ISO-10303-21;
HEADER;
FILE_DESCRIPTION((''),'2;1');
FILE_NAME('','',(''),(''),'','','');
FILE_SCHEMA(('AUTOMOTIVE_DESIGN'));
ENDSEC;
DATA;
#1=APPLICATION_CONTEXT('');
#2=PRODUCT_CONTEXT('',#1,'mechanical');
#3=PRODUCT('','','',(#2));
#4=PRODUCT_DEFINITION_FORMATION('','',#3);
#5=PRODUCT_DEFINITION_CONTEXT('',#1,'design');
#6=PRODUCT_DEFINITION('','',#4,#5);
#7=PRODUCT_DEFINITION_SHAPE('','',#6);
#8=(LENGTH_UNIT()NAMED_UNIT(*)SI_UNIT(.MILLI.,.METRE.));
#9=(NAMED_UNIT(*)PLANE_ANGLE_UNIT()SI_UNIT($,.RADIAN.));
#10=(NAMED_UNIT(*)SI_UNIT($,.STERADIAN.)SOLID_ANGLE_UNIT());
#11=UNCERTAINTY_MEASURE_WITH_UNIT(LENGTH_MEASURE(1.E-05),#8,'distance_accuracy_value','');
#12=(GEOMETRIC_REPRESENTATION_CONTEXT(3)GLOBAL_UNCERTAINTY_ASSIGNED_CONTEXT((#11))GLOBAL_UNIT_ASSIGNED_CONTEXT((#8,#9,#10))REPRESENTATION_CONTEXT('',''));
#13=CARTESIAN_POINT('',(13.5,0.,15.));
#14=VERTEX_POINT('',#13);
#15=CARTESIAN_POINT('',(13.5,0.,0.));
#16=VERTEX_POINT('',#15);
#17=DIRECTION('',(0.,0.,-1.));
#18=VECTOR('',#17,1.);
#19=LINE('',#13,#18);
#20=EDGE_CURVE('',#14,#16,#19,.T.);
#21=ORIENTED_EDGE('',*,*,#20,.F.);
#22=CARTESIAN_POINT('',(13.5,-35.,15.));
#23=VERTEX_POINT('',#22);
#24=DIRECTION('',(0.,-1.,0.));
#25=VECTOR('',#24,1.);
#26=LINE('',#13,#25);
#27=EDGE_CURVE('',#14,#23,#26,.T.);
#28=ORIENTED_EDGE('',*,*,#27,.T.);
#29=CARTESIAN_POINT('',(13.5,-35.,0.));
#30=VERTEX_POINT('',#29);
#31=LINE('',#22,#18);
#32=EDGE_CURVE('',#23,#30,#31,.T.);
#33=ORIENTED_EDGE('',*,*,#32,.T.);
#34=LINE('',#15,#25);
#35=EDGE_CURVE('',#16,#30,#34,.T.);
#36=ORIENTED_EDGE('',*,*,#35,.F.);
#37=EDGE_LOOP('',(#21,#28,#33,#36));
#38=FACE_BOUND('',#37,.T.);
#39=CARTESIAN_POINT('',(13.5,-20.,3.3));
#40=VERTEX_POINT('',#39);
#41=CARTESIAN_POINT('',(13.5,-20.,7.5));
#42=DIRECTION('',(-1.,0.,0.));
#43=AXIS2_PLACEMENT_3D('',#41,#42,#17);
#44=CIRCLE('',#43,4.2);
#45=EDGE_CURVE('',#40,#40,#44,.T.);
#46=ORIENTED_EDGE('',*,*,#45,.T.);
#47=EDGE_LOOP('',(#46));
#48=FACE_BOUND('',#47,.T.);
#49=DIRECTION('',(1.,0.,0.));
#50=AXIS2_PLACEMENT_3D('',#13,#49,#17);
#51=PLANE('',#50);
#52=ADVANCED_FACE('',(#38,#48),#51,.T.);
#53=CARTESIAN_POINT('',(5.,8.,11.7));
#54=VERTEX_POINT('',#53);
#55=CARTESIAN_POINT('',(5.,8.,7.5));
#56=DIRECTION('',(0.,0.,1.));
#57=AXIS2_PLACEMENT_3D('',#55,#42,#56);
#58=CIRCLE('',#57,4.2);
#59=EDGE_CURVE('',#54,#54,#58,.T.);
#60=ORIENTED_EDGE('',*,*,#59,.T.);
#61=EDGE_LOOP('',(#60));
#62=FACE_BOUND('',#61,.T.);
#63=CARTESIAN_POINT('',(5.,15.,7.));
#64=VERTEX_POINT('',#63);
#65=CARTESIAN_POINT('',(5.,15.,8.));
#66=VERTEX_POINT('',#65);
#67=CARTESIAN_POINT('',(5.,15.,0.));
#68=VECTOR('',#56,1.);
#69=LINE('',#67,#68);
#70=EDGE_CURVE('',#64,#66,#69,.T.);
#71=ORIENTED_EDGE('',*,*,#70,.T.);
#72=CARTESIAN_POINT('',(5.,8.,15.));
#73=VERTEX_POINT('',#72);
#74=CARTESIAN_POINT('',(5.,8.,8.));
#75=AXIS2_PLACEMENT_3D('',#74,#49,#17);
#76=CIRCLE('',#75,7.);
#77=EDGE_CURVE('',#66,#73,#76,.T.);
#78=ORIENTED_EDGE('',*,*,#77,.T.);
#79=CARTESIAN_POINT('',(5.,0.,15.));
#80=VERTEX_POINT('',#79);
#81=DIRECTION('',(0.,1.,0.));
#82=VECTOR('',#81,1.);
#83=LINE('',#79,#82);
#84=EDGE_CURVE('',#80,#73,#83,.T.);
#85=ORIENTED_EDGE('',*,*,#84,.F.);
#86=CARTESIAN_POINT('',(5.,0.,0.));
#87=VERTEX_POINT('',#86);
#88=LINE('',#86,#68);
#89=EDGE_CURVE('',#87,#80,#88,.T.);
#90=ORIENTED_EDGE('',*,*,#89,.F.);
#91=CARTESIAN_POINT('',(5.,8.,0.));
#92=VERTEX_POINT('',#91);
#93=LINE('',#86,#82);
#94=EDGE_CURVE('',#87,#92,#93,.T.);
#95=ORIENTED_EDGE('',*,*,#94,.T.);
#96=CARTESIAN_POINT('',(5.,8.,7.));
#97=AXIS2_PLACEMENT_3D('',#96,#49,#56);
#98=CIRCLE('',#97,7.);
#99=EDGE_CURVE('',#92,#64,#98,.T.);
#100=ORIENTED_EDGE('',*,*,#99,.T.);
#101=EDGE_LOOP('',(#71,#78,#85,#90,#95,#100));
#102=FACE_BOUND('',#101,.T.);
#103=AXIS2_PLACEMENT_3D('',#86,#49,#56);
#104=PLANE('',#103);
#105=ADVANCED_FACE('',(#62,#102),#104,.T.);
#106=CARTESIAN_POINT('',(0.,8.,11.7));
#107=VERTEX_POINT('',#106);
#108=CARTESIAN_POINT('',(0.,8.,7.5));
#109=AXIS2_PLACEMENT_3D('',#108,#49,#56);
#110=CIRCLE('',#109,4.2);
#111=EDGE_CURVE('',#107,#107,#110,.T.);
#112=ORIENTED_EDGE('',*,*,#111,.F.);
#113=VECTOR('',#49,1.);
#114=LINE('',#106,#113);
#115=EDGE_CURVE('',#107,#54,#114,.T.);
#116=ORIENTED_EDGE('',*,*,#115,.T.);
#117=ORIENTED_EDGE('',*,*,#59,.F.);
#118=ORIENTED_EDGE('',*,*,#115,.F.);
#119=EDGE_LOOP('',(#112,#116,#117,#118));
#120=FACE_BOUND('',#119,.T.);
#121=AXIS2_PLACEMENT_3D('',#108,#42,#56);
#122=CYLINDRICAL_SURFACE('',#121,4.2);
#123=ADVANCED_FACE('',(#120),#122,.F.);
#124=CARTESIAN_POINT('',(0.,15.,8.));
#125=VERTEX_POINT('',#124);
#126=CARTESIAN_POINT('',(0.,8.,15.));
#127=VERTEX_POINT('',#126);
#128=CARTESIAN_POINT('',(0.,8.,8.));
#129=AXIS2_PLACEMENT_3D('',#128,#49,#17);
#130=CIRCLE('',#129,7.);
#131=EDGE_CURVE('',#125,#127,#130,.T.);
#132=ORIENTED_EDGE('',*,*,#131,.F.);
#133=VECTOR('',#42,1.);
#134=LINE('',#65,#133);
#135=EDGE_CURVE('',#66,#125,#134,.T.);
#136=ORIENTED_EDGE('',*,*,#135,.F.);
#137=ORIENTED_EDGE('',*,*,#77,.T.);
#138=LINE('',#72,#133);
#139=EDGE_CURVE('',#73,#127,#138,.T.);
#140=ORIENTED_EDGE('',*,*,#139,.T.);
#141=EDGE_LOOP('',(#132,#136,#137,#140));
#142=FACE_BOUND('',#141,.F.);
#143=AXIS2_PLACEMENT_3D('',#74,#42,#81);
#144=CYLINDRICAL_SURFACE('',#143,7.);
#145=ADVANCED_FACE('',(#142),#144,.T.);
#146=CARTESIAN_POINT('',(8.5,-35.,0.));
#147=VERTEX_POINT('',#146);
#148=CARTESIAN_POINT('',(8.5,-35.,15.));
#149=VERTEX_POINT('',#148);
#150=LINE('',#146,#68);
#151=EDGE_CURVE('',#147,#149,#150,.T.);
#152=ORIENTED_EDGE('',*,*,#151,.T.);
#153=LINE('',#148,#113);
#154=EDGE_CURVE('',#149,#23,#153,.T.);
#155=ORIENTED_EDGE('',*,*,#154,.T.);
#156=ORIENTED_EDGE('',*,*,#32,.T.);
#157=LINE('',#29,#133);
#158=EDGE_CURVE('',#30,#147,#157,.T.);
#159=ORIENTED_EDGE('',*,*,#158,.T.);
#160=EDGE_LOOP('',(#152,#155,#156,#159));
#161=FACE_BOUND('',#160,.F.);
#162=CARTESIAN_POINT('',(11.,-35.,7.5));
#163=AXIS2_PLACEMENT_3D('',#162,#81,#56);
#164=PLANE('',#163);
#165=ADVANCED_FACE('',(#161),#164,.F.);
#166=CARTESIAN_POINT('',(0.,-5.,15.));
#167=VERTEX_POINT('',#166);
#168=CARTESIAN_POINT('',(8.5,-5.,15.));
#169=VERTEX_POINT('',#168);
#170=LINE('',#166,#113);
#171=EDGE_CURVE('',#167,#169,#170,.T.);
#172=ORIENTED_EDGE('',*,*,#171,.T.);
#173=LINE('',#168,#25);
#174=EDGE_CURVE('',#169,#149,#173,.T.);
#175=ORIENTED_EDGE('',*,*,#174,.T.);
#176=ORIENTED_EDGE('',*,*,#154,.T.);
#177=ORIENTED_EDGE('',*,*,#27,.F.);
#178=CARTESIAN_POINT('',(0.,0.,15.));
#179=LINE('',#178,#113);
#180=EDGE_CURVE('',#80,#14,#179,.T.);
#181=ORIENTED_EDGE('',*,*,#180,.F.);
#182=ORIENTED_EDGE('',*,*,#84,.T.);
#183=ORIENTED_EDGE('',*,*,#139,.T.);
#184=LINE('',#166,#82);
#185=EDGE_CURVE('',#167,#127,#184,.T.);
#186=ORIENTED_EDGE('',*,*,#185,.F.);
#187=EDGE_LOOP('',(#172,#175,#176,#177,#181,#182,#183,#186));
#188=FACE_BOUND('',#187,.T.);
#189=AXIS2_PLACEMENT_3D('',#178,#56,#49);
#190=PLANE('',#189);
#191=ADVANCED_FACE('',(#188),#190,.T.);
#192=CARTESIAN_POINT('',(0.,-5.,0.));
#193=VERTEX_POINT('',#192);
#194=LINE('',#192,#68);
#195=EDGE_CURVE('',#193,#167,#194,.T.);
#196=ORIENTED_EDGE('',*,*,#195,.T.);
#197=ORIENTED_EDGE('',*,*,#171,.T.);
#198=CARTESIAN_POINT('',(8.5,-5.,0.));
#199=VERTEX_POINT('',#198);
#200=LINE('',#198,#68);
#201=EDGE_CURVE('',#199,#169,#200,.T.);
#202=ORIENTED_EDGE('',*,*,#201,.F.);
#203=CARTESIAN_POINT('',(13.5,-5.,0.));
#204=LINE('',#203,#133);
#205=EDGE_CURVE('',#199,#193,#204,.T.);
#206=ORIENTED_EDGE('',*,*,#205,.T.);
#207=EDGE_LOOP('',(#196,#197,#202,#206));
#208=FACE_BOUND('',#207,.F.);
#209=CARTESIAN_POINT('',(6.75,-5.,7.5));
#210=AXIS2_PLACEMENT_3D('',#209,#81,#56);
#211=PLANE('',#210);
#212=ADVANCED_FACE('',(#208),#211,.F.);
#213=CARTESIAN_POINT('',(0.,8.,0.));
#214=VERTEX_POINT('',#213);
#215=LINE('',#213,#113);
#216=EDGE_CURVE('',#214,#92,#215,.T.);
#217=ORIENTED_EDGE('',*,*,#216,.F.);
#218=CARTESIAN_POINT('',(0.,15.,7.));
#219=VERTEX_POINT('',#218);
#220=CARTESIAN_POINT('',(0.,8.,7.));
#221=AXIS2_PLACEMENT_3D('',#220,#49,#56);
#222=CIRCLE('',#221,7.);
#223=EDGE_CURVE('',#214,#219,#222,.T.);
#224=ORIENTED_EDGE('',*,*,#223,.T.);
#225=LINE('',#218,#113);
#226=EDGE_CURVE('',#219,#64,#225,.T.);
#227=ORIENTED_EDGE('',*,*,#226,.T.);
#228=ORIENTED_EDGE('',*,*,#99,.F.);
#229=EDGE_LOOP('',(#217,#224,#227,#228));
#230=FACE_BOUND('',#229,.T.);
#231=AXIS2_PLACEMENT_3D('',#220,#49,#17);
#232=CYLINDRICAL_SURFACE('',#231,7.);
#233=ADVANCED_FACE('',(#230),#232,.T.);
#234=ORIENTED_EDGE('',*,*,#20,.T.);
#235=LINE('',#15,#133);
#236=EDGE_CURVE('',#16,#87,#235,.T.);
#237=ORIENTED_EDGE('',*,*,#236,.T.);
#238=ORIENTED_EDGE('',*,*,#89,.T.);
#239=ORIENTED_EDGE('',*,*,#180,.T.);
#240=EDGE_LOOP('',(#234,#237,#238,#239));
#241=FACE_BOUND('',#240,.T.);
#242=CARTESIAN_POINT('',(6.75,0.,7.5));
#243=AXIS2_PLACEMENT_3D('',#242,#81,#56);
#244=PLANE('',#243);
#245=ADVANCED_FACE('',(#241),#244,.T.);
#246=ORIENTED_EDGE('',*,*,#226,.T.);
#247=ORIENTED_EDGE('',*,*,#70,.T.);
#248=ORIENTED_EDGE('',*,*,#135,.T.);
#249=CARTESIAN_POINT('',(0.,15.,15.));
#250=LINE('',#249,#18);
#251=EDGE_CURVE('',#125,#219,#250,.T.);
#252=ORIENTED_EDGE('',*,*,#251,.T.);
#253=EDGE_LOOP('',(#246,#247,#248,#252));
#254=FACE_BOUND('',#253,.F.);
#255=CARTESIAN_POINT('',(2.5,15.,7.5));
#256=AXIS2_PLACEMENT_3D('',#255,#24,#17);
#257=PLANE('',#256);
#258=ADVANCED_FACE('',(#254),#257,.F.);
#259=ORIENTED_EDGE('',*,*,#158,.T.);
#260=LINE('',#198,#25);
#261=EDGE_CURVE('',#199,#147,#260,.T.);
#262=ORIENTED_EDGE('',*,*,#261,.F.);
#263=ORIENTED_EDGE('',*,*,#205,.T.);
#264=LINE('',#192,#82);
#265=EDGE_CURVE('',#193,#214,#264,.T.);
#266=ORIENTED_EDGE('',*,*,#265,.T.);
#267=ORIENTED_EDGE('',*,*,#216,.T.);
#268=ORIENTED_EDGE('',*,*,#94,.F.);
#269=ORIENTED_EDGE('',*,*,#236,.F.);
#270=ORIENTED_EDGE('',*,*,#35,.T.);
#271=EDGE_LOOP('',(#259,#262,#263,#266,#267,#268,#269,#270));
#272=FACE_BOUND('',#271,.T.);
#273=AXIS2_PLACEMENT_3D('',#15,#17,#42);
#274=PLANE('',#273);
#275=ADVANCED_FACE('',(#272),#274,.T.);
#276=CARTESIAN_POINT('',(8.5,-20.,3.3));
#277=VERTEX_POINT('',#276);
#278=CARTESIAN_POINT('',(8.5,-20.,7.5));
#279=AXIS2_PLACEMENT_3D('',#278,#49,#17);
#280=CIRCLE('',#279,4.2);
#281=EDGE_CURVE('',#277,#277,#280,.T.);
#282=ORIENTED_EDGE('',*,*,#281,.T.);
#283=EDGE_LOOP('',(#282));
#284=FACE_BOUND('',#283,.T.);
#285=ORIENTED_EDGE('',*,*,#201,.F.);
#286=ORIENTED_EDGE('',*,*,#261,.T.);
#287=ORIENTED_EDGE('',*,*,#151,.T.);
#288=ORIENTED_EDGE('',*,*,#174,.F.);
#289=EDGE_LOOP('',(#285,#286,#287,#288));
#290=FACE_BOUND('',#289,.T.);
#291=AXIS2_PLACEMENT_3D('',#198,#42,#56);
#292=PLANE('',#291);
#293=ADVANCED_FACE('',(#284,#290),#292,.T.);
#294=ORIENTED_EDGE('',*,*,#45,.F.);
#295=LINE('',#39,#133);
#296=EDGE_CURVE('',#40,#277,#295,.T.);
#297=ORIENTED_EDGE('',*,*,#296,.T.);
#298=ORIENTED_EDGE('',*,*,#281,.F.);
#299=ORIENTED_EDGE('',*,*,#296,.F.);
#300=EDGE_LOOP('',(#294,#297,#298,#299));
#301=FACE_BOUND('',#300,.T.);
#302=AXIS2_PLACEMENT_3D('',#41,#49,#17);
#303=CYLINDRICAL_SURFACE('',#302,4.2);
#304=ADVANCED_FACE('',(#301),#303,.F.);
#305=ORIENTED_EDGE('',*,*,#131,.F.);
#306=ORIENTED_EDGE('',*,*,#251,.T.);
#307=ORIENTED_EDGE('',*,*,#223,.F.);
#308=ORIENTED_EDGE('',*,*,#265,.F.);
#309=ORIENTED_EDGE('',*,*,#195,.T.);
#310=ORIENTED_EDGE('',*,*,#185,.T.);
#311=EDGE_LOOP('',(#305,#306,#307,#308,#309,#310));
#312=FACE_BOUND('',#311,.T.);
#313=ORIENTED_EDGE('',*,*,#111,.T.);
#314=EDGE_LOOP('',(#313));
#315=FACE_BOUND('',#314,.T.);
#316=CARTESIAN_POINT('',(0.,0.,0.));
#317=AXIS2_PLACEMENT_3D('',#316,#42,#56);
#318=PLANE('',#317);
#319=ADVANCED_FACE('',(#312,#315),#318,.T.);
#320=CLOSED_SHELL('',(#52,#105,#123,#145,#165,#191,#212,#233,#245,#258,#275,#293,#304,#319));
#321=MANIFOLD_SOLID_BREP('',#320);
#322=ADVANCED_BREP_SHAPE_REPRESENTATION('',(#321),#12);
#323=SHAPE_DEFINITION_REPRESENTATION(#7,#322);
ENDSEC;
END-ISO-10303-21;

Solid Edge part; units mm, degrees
sketch "Sketch1" plane through (0, 0, 0) normal (0, -1, 0) x (1, 0, 0)
  line L0 (13.5, 0) -> (0, 0)
  line L1 (0, 0) -> (0, 15)
  line L2 (0, 15) -> (13.5, 15)
  line L3 (13.5, 15) -> (13.5, 0)
extrude "Protrusion1" add sketch "Sketch1" along normal blind 5
sketch "Sketch2" plane through (18.75, -5, 7.5) normal (0, -1, 0) x (1, 0, 0)
  line L0 (-10.25, -7.5) -> (-10.25, 7.5)
  line L1 (-10.25, 7.5) -> (-5.25, 7.5)
  line L2 (-5.25, 7.5) -> (-5.25, -7.5)
  line L3 (-5.25, -7.5) -> (-10.25, -7.5)
extrude "ExtrudedProtrusion_2" add sketch "Sketch2" along normal blind 30
sketch "Sketch3" plane through (18.75, 0, 7.5) normal (0, 1, 0) x (-1, 0, 0)
  line L0 (13.75, -7.5) -> (13.75, 7.5)
  line L1 (13.75, 7.5) -> (18.75, 7.5)
  line L2 (18.75, 7.5) -> (18.75, -7.5)
  line L3 (18.75, -7.5) -> (13.75, -7.5)
extrude "ExtrudedProtrusion_3" add sketch "Sketch3" along normal blind 15
sketch "Sketch4" plane through (13.5, -17.5, 7.5) normal (1, 0, 0) x (0, 1, 0)
  circle A0 centre (-2.5, 0) radius 4
extrude "Cutout1" cut sketch "Sketch4" against normal through all
sketch "Sketch5" plane through (0, 5, 7.5) normal (-1, 0, 0) x (0, -1, 0)
  circle A0 centre (-3, 0) radius 4
extrude "Cutout2" cut sketch "Sketch5" against normal through all
fillet "Round1" radius 7 2 edges at (2.5, 15, 15) (2.5, 15, 0)
hole "Hole_1" at (0, 8, 7.5) direction (1, 0, 0) diameter 8.4 end up to next
hole "Hole_2" at (13.5, -20, 7.5) direction (-1, 0, 0) diameter 8.4 end up to next
